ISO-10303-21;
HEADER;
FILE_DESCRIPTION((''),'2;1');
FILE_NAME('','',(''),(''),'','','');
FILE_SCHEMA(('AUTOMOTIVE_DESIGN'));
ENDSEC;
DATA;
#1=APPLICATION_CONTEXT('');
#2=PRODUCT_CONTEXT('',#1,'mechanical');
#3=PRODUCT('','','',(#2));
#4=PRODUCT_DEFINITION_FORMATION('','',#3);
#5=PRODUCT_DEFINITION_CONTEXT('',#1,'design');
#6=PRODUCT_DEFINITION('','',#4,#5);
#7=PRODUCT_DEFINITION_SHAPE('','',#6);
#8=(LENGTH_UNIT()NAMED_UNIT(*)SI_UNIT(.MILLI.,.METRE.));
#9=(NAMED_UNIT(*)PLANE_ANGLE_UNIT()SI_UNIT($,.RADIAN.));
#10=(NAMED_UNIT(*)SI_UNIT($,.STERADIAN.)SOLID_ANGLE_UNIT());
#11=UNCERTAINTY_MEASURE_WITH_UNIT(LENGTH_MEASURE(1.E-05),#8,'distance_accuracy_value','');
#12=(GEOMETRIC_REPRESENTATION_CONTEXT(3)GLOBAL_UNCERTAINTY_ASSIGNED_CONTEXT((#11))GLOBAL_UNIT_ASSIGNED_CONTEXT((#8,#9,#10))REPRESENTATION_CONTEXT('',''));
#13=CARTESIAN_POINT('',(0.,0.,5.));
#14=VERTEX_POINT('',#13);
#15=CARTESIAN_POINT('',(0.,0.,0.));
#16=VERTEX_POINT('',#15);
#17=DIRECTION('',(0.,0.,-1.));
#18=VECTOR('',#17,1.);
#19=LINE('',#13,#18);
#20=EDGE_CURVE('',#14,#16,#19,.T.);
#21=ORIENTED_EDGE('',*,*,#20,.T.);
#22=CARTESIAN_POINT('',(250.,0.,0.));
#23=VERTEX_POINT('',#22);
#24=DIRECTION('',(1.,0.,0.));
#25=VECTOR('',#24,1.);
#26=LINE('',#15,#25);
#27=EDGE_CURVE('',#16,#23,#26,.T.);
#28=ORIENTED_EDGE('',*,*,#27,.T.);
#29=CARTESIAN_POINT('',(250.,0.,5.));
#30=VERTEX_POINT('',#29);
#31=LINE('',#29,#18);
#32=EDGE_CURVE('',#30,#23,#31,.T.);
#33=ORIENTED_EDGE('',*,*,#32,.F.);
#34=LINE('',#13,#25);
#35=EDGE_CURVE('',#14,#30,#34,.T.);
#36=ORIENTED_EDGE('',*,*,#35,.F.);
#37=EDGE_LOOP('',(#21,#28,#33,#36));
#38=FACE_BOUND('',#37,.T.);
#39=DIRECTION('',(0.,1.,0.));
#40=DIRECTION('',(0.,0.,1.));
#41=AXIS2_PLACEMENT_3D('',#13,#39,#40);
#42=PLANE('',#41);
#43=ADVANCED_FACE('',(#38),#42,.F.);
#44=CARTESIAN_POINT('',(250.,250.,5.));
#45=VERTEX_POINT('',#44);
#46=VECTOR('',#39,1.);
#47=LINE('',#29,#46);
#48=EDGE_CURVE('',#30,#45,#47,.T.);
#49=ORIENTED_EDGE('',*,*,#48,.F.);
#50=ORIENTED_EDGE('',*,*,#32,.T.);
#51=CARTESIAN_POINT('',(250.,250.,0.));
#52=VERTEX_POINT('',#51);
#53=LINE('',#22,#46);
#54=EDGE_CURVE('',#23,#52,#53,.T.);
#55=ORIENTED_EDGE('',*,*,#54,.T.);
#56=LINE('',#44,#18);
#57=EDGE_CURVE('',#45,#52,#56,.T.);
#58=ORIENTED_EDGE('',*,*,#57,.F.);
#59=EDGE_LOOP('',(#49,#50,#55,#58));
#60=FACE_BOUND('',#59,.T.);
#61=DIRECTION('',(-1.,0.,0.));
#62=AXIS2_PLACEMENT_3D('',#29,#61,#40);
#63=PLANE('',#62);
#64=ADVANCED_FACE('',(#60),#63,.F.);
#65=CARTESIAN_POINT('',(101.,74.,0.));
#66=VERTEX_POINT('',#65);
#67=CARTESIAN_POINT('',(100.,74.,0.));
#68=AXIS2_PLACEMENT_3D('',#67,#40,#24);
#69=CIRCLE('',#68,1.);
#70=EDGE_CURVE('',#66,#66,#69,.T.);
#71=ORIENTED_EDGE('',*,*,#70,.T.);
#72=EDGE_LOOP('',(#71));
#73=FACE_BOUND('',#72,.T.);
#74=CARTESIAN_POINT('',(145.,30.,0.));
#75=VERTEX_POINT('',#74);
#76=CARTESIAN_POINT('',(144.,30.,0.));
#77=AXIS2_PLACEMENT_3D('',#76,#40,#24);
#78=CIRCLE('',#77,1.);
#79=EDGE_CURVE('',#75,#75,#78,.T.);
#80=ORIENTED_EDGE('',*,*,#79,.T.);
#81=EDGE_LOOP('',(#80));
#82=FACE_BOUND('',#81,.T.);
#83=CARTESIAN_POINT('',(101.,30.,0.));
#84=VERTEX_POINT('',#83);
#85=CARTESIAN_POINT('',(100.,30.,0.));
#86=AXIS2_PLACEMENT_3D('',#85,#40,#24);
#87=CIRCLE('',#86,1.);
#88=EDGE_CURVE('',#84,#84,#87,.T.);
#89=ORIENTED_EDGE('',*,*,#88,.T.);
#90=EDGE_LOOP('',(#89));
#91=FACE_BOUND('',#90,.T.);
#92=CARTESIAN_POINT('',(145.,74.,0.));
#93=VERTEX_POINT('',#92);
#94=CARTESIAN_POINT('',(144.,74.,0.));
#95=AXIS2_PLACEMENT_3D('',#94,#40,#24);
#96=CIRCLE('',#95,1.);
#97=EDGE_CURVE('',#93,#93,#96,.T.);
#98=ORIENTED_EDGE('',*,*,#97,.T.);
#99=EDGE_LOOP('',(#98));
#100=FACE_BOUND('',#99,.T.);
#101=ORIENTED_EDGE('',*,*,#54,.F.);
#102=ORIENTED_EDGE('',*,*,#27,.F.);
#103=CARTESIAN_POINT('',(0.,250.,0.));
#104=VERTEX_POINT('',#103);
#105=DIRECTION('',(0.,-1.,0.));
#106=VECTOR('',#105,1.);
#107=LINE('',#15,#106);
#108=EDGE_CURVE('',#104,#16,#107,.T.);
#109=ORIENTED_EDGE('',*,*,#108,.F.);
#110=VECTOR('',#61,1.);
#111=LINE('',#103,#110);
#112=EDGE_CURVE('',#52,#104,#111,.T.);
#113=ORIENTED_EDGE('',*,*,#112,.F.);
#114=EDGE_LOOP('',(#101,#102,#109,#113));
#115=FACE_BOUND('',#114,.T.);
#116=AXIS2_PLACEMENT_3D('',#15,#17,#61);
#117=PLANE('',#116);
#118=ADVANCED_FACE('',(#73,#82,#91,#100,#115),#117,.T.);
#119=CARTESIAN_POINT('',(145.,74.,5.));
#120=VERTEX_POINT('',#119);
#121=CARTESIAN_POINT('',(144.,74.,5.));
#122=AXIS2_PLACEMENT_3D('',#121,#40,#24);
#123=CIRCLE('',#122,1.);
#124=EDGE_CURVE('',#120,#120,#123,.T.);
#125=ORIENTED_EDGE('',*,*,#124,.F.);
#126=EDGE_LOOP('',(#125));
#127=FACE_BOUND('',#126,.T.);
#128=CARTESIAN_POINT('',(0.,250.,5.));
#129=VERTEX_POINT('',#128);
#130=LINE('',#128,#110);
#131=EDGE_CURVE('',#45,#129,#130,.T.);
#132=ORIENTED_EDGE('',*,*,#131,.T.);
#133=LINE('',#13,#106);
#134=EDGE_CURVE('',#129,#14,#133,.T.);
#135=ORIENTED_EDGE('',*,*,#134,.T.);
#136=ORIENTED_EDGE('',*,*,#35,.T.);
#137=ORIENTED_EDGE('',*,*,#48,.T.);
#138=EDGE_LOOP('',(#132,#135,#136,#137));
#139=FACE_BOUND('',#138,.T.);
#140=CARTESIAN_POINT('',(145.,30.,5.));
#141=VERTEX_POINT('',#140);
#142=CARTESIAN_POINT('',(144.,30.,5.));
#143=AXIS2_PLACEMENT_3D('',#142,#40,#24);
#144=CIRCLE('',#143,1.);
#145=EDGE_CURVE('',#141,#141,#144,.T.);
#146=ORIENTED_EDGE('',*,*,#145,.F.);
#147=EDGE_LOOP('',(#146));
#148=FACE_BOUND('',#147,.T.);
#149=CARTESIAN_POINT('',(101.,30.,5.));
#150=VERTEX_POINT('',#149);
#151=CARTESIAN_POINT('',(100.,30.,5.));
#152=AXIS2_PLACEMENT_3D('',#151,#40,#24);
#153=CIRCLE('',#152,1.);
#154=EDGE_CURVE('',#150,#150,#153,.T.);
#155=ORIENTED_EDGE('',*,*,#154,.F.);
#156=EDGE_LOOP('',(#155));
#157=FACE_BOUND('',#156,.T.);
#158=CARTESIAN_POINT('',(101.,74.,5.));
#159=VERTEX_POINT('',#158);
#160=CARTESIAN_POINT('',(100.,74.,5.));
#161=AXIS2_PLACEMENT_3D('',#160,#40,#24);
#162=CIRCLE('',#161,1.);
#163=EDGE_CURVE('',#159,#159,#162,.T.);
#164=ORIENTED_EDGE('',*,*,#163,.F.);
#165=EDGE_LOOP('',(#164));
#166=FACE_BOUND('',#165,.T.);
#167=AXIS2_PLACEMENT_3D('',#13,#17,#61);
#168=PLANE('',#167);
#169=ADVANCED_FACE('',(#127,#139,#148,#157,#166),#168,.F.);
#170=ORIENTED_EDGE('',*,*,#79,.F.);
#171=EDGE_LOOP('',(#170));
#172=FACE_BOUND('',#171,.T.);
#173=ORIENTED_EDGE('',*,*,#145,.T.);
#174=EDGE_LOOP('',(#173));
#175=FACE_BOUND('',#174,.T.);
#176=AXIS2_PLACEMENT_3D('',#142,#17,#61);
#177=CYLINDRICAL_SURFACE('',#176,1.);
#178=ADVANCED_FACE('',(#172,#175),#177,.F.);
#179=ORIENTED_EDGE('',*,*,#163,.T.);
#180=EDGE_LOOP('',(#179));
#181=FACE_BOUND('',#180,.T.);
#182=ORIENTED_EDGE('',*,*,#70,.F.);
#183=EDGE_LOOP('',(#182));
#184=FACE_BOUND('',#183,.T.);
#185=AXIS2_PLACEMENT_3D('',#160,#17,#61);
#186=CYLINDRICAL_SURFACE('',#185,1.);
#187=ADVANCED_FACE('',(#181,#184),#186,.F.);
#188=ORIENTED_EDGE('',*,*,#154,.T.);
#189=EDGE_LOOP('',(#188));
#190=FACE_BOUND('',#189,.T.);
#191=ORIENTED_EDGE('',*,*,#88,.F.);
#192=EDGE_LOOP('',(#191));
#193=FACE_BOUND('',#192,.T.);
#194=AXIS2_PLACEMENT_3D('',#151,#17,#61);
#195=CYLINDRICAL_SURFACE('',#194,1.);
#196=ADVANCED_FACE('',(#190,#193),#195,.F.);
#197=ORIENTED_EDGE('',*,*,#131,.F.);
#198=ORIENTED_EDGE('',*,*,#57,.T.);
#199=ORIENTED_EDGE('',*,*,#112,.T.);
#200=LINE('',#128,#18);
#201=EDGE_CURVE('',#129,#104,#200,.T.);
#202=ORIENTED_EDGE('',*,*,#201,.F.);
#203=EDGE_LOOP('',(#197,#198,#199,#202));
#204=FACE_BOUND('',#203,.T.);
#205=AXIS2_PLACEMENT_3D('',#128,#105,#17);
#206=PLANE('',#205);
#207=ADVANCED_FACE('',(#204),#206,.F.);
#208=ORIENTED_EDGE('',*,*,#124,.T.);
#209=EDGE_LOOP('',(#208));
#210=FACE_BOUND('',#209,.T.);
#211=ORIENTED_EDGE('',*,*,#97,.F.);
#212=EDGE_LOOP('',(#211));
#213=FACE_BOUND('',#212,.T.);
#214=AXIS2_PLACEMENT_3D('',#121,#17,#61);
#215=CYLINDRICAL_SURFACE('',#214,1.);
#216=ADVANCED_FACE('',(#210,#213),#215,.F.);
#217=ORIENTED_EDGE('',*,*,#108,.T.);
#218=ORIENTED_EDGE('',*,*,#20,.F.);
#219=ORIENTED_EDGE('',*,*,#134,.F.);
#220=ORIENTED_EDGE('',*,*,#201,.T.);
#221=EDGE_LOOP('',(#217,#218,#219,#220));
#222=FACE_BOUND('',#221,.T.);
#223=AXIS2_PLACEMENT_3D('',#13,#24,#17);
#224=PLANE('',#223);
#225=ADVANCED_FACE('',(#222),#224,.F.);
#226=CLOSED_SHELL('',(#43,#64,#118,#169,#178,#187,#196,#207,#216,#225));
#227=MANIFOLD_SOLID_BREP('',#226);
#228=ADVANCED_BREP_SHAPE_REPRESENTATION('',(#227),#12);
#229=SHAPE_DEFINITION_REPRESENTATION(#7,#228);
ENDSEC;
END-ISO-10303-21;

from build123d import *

# Parameters (mm, degrees)
ESQUISSE1_W        = 250
ESQUISSE1_H        = 250
ESQUISSE1_R        = 1
BOSS_EXTRU_1_DEPTH = 5


with BuildPart() as part:
    # Esquisse1 → Boss.-Extru.1 (new body)
    with BuildSketch(Plane.XY):
        with Locations((125, 125)):
            Rectangle(ESQUISSE1_W, ESQUISSE1_H)
        with Locations((100, 30)):
            Circle(ESQUISSE1_R, mode=Mode.SUBTRACT)
        with Locations((144, 30)):
            Circle(ESQUISSE1_R, mode=Mode.SUBTRACT)
        with Locations((144, 74)):
            Circle(ESQUISSE1_R, mode=Mode.SUBTRACT)
        with Locations((100, 74)):
            Circle(ESQUISSE1_R, mode=Mode.SUBTRACT)
    extrude(amount=BOSS_EXTRU_1_DEPTH)


solid = part.part
